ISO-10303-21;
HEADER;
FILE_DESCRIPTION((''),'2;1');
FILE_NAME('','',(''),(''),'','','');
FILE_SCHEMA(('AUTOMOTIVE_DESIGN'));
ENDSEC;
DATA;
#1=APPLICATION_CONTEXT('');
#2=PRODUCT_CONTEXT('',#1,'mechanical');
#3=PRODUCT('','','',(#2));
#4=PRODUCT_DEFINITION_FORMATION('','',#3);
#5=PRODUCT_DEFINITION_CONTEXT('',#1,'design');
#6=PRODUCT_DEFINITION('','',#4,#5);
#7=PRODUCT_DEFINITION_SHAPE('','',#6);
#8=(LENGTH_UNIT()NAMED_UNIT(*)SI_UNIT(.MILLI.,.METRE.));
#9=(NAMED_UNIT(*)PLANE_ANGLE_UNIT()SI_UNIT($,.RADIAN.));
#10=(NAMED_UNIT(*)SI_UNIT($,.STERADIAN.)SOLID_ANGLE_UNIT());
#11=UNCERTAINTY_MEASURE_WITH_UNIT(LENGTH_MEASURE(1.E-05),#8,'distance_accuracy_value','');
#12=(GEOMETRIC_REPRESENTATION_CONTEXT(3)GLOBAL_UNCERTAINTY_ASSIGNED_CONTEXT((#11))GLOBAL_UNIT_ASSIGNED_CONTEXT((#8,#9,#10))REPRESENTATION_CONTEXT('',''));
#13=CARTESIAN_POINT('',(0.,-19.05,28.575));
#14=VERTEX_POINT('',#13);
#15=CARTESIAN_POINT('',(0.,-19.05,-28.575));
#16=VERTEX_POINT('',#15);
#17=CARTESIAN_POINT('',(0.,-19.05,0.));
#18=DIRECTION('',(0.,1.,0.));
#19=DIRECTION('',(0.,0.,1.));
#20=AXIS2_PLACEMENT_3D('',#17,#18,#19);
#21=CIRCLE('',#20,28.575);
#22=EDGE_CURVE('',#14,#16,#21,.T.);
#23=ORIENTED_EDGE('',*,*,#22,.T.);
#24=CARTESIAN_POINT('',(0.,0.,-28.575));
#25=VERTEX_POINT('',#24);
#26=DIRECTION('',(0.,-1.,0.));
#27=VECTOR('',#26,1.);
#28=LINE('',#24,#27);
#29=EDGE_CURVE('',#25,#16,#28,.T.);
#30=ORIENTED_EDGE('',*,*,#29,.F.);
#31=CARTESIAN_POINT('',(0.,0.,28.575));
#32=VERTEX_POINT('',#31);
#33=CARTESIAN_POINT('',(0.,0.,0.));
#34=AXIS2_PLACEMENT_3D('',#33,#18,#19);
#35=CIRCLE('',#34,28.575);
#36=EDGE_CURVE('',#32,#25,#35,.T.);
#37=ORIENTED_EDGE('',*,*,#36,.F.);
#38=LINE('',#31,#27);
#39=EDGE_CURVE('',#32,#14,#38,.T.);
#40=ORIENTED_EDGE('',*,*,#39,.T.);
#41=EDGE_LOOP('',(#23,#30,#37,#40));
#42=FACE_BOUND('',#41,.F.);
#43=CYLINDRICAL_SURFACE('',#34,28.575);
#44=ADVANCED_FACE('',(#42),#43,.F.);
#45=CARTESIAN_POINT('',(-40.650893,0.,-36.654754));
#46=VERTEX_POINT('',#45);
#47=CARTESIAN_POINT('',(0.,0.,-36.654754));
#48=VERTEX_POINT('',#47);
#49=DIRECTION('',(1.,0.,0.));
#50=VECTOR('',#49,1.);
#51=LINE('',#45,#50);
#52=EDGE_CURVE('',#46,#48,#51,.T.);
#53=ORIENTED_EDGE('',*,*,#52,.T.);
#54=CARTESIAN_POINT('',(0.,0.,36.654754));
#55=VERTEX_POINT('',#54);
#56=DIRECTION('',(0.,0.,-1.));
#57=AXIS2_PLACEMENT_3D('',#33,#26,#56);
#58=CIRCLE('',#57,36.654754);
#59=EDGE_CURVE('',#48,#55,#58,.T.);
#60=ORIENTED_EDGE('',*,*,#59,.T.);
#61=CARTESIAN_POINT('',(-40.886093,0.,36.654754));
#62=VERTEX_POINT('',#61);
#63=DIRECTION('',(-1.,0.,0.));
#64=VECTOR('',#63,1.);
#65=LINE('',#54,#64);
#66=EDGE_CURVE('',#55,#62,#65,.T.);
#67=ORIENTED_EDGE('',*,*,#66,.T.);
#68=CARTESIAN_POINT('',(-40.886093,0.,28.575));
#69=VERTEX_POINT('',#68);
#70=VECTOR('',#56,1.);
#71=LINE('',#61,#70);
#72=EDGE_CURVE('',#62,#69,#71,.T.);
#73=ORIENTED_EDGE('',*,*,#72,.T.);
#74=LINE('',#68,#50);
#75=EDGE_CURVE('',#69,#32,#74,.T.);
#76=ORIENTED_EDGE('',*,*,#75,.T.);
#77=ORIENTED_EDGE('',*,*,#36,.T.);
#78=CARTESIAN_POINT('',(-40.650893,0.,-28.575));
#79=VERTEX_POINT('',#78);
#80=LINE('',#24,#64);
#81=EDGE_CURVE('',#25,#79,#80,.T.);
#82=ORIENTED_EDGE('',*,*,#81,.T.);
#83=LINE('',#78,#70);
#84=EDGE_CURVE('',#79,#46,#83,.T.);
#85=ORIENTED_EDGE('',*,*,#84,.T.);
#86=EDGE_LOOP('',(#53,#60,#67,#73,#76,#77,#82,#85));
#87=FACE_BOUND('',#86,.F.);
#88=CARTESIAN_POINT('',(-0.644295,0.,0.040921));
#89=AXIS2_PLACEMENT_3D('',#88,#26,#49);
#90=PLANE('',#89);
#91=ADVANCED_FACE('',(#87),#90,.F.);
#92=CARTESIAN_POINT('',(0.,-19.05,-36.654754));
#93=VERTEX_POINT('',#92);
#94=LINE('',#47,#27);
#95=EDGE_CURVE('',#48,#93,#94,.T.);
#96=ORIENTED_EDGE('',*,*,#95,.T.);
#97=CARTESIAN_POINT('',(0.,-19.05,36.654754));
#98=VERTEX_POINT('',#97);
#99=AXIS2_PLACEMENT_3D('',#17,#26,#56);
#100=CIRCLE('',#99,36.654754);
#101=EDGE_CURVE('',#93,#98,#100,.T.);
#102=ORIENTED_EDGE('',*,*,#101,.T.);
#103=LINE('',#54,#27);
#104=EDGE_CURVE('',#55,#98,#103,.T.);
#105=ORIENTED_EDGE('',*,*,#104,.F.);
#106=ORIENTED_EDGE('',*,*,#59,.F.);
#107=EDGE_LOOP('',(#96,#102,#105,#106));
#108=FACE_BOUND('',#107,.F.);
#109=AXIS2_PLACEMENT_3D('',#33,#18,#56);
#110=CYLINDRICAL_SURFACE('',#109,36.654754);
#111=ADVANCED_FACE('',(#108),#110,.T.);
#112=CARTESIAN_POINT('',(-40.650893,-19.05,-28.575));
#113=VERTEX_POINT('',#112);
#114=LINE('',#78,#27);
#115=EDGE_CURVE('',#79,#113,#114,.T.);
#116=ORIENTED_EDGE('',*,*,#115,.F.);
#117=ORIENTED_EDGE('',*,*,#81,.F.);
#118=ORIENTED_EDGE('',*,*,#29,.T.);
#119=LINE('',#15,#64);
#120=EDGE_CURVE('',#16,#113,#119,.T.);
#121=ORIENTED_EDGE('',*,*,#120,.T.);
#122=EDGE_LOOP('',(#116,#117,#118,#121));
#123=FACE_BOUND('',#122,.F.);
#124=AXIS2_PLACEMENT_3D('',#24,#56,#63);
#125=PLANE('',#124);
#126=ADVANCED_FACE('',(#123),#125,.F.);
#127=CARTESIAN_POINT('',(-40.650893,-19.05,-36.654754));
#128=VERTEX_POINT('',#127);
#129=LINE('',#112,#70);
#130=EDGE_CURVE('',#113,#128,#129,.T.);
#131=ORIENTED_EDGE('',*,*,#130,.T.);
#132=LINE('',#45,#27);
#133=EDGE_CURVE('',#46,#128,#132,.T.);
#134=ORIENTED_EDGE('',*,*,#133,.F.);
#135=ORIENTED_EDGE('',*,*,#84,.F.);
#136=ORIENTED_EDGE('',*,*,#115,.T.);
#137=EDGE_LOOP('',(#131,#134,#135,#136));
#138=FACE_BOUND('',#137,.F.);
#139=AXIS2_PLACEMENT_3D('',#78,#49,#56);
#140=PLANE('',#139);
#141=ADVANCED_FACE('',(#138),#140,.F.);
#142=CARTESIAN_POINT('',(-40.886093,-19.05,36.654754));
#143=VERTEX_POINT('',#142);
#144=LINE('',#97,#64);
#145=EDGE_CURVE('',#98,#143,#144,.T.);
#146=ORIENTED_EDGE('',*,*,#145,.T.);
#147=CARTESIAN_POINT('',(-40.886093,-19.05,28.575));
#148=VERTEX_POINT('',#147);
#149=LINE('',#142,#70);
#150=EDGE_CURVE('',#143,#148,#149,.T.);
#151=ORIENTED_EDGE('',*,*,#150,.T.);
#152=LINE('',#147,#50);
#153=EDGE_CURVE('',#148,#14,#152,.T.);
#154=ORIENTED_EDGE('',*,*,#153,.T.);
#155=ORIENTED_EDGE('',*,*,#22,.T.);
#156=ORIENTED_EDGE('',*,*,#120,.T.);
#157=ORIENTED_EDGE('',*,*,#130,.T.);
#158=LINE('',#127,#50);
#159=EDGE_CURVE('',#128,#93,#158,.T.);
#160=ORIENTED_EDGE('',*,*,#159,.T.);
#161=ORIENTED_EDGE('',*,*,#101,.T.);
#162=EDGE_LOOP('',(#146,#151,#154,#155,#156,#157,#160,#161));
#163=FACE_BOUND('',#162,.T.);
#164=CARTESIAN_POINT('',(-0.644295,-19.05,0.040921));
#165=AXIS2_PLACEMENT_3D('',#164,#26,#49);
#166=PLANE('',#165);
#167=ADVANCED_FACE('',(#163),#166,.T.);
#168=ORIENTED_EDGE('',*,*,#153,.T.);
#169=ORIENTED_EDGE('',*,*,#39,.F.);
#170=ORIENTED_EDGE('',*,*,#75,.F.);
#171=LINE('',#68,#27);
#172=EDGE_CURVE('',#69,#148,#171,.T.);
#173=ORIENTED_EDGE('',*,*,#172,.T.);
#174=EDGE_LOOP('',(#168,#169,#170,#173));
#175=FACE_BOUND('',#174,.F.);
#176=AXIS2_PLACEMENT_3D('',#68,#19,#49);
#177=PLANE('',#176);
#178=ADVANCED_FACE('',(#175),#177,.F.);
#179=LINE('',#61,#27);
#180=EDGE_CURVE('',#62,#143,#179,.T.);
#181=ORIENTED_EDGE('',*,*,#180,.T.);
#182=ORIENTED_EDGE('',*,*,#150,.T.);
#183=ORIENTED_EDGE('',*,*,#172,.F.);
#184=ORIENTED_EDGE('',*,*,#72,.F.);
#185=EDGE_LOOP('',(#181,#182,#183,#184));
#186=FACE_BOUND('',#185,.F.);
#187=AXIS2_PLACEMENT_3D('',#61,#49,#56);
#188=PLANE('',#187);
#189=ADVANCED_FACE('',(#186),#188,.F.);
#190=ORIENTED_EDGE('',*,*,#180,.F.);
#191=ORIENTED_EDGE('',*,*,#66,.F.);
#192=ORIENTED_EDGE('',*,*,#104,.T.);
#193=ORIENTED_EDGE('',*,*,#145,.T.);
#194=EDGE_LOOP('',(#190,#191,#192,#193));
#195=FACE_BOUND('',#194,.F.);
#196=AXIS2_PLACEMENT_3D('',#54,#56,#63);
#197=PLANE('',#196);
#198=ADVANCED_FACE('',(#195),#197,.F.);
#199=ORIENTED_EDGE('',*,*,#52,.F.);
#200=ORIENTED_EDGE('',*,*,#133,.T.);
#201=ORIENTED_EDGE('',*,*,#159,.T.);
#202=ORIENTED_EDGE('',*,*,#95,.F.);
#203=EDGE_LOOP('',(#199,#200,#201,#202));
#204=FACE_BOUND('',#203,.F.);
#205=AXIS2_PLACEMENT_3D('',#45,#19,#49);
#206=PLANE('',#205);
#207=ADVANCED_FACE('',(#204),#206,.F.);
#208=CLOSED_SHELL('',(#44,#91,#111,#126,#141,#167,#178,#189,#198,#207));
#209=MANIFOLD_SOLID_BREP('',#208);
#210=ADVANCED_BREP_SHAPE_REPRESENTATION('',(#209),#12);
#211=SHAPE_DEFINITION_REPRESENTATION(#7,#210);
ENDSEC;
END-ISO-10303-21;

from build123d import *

# Parameters (mm, degrees)
F1_DEPTH = 19.05


with BuildPart() as f1:
    # F0 (on Front) → F1 (new body)
    with BuildSketch(Plane.XZ):
        with BuildLine():
            Line((-40.650893, -36.654754), (0, -36.654754))
            ThreePointArc((0, -36.654754), (36.654754, 0), (0, 36.654754))
            Line((0, 36.654754), (-40.886093, 36.654754))
            Line((-40.886093, 36.654754), (-40.886093, 28.575))
            Line((-40.886093, 28.575), (0, 28.575))
            ThreePointArc((0, 28.575), (28.575, 0), (0, -28.575))
            Line((0, -28.575), (-40.650893, -28.575))
            Line((-40.650893, -28.575), (-40.650893, -36.654754))
        make_face()
    extrude(amount=F1_DEPTH)


solid = f1.part
